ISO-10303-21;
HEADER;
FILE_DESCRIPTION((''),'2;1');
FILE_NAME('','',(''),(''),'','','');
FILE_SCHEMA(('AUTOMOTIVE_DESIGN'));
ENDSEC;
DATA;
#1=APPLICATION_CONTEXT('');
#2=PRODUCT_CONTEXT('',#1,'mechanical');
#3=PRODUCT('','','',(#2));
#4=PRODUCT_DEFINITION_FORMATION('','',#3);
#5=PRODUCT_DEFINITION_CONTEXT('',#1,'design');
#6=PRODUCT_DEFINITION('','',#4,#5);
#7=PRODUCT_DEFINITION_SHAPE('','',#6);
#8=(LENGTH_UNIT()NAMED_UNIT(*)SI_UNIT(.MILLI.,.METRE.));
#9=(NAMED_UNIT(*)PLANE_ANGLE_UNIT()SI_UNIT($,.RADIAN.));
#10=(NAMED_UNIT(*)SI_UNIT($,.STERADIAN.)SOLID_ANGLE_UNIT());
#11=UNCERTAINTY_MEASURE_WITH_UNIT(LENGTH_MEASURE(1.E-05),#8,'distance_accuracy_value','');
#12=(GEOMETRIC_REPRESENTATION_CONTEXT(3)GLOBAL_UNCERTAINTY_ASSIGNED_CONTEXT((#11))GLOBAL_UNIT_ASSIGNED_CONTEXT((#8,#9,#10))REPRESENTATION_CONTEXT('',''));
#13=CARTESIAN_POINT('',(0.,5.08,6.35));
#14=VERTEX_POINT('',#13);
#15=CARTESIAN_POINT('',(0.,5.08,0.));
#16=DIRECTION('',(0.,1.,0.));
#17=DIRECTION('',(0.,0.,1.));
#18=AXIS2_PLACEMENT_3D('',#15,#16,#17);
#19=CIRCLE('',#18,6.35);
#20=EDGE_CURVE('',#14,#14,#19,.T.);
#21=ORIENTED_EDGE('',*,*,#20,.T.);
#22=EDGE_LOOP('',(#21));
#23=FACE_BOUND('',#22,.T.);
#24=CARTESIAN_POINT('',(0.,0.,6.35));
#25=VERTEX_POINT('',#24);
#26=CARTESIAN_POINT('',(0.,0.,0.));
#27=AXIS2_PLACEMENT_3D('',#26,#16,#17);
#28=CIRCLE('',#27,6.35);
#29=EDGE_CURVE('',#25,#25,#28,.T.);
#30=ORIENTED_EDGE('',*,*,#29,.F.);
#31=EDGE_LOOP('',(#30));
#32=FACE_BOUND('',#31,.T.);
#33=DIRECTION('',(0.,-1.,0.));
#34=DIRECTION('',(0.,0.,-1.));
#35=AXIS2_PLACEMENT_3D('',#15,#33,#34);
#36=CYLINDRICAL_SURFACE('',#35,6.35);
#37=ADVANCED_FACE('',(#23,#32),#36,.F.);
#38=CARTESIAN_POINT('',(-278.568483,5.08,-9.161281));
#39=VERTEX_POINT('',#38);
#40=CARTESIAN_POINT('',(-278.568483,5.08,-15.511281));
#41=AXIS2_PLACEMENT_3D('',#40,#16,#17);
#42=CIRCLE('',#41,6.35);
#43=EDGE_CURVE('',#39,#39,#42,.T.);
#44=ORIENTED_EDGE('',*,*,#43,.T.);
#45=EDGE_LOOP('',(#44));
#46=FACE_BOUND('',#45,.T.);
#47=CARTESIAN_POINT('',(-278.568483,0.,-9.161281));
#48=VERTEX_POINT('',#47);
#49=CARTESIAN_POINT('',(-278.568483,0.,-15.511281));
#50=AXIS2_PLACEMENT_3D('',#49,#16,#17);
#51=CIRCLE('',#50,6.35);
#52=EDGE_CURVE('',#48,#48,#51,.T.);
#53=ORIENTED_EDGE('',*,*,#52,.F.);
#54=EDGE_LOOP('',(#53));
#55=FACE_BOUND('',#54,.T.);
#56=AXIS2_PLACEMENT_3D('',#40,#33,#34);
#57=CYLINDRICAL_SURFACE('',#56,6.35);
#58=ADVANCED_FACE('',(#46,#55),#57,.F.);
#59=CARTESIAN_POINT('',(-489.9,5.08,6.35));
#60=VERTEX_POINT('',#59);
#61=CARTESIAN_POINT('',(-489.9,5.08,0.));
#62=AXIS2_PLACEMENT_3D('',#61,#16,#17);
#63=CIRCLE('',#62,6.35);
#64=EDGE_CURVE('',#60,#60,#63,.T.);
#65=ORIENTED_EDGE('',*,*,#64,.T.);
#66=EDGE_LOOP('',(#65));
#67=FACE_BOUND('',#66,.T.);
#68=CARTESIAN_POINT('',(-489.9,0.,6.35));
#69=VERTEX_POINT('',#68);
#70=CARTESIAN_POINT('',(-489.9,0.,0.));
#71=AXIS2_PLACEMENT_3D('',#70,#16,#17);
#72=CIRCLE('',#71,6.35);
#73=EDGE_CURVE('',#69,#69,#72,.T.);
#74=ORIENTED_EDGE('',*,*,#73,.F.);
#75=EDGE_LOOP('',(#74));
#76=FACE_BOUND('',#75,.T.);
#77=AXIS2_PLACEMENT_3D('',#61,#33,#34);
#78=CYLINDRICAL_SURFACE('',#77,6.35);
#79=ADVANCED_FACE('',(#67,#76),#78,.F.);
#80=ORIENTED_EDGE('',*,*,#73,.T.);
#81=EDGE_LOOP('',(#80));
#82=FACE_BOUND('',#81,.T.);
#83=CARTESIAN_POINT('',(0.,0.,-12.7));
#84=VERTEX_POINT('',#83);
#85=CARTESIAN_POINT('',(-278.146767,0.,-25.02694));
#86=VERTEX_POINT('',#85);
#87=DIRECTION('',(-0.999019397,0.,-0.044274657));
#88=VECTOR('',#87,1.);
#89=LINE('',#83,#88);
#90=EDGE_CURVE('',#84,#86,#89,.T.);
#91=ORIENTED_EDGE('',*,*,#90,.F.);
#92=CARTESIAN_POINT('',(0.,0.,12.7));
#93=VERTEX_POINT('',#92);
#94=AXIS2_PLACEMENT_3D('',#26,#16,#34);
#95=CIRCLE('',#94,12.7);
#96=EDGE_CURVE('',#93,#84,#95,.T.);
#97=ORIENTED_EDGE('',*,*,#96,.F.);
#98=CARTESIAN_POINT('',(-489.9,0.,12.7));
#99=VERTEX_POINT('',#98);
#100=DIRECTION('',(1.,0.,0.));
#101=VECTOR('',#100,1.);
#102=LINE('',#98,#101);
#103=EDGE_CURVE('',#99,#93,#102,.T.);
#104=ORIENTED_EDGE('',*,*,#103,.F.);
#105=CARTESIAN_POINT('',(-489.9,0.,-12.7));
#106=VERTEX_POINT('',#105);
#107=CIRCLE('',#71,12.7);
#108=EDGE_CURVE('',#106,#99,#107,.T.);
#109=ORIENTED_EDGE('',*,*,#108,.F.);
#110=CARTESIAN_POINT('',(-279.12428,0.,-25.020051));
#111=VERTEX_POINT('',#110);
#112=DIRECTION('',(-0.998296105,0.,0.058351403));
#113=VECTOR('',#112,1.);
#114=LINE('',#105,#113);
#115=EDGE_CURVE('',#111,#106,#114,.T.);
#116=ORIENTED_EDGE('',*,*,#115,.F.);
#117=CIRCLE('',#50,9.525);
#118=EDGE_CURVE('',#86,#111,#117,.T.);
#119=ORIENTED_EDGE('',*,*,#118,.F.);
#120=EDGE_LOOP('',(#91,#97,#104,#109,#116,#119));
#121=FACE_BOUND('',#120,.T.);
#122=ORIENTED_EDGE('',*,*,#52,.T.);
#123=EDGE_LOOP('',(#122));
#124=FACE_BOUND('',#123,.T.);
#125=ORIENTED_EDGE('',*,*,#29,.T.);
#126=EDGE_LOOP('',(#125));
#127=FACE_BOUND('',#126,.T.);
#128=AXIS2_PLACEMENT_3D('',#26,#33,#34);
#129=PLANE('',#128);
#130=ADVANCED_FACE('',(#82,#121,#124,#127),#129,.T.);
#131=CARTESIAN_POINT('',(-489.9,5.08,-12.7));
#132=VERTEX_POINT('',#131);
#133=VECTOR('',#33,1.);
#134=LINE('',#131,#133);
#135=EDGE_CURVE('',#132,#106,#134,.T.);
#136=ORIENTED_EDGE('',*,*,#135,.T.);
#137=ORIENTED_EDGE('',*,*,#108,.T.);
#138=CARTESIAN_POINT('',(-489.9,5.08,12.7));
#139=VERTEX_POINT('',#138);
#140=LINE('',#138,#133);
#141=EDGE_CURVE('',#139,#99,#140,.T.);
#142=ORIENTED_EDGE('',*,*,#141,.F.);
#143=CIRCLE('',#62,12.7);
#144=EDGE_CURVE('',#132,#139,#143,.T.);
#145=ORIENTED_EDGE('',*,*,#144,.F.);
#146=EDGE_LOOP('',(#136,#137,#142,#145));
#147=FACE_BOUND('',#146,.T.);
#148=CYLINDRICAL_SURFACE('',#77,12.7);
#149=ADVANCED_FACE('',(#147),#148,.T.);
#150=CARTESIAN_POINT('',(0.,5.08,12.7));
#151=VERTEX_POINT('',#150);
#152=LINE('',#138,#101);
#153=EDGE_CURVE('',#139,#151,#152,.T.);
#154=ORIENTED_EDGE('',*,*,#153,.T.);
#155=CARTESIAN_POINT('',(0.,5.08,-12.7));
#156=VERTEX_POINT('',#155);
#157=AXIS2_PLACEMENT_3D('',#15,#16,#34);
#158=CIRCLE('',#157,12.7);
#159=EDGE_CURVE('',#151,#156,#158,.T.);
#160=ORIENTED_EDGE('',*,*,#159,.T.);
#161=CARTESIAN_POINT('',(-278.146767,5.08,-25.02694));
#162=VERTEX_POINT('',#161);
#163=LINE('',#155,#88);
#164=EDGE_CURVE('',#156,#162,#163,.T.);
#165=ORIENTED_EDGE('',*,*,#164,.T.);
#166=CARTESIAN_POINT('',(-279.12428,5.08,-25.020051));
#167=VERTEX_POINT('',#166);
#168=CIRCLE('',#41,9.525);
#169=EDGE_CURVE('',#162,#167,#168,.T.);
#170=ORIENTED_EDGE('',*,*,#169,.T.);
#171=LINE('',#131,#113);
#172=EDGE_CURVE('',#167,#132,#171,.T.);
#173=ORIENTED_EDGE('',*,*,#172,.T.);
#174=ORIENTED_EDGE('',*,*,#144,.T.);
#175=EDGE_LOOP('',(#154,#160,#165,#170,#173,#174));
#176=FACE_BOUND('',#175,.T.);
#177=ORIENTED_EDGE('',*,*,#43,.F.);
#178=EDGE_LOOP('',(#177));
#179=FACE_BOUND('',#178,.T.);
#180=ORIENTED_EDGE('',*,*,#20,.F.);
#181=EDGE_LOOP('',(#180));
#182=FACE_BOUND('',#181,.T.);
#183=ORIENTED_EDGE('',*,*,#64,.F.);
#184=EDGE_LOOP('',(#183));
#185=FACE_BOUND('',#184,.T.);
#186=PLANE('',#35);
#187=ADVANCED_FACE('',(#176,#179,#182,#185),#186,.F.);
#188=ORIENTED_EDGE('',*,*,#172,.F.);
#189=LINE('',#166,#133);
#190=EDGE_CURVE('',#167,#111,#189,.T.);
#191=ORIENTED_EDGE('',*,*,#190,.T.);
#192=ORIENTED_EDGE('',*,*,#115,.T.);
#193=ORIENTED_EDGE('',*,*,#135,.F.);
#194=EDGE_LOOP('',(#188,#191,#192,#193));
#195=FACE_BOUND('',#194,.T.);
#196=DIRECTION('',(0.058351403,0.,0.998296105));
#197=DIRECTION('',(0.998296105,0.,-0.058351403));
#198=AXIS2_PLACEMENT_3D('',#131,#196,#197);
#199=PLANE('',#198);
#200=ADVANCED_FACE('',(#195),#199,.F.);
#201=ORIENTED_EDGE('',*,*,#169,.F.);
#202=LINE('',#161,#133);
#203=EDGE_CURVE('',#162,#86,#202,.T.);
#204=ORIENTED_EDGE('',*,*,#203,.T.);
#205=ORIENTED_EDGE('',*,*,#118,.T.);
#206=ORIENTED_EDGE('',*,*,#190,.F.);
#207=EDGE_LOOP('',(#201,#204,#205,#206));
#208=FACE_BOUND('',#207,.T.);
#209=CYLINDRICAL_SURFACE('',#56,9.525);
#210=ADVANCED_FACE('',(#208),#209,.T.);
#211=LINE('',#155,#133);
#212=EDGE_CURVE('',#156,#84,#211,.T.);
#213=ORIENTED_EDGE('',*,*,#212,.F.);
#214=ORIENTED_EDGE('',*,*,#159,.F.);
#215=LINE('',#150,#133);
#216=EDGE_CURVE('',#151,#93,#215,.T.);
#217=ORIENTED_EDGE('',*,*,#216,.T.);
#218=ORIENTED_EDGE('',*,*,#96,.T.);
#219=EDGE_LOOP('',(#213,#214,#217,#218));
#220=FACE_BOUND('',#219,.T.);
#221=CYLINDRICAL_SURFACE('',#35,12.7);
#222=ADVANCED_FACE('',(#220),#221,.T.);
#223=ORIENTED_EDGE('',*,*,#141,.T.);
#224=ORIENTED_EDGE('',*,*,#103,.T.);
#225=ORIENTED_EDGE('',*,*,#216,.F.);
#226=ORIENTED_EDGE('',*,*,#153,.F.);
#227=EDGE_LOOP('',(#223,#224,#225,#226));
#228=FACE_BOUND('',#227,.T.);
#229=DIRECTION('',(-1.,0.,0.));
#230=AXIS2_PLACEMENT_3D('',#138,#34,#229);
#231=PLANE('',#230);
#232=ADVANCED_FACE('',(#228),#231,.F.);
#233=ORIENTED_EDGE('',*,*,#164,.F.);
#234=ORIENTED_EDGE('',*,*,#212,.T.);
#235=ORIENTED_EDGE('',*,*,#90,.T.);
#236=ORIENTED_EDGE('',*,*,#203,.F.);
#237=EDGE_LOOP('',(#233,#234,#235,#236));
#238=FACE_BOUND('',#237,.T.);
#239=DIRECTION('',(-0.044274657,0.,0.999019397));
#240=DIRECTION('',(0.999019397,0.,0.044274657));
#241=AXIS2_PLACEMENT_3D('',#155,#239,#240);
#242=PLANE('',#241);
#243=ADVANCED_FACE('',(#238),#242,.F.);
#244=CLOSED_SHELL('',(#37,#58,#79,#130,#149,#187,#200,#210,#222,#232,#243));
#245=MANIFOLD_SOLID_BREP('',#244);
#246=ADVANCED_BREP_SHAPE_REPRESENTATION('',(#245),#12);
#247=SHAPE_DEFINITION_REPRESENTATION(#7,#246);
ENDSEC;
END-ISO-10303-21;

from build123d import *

# Parameters (mm, degrees)
SKETCH2_R           = 6.35
BOSS_EXTRUDE1_DEPTH = 5.08


with BuildPart() as part:
    # Sketch2 → Boss-Extrude1 (new body)
    with BuildSketch(Plane(origin=(0, 0, 0), x_dir=(1, 0, 0), z_dir=(0, 1, 0))):
        with BuildLine():
            Line((-489.9, -12.7), (0, -12.7))
            ThreePointArc((0, -12.7), (12.7, 0), (0, 12.7))
            Line((0, 12.7), (-278.146766675, 25.026940493))
            ThreePointArc((-278.146766675, 25.026940493), (-278.635611726, 25.036044186), (-279.124279899, 25.020051143))
            Line((-279.124279899, 25.020051143), (-489.9, 12.7))
            ThreePointArc((-489.9, 12.7), (-502.6, 0), (-489.9, -12.7))
        make_face()
        with Locations(Location((0, 0, 0), (0, 0, 270))):
            Circle(SKETCH2_R, mode=Mode.SUBTRACT)
        with Locations(Location((-489.9, 0, 0), (0, 0, 270))):
            Circle(SKETCH2_R, mode=Mode.SUBTRACT)
        with Locations(Location((-278.568482782, 15.51128074, 0), (0, 0, 270))):
            Circle(SKETCH2_R, mode=Mode.SUBTRACT)
    extrude(amount=BOSS_EXTRUDE1_DEPTH)


solid = part.part
